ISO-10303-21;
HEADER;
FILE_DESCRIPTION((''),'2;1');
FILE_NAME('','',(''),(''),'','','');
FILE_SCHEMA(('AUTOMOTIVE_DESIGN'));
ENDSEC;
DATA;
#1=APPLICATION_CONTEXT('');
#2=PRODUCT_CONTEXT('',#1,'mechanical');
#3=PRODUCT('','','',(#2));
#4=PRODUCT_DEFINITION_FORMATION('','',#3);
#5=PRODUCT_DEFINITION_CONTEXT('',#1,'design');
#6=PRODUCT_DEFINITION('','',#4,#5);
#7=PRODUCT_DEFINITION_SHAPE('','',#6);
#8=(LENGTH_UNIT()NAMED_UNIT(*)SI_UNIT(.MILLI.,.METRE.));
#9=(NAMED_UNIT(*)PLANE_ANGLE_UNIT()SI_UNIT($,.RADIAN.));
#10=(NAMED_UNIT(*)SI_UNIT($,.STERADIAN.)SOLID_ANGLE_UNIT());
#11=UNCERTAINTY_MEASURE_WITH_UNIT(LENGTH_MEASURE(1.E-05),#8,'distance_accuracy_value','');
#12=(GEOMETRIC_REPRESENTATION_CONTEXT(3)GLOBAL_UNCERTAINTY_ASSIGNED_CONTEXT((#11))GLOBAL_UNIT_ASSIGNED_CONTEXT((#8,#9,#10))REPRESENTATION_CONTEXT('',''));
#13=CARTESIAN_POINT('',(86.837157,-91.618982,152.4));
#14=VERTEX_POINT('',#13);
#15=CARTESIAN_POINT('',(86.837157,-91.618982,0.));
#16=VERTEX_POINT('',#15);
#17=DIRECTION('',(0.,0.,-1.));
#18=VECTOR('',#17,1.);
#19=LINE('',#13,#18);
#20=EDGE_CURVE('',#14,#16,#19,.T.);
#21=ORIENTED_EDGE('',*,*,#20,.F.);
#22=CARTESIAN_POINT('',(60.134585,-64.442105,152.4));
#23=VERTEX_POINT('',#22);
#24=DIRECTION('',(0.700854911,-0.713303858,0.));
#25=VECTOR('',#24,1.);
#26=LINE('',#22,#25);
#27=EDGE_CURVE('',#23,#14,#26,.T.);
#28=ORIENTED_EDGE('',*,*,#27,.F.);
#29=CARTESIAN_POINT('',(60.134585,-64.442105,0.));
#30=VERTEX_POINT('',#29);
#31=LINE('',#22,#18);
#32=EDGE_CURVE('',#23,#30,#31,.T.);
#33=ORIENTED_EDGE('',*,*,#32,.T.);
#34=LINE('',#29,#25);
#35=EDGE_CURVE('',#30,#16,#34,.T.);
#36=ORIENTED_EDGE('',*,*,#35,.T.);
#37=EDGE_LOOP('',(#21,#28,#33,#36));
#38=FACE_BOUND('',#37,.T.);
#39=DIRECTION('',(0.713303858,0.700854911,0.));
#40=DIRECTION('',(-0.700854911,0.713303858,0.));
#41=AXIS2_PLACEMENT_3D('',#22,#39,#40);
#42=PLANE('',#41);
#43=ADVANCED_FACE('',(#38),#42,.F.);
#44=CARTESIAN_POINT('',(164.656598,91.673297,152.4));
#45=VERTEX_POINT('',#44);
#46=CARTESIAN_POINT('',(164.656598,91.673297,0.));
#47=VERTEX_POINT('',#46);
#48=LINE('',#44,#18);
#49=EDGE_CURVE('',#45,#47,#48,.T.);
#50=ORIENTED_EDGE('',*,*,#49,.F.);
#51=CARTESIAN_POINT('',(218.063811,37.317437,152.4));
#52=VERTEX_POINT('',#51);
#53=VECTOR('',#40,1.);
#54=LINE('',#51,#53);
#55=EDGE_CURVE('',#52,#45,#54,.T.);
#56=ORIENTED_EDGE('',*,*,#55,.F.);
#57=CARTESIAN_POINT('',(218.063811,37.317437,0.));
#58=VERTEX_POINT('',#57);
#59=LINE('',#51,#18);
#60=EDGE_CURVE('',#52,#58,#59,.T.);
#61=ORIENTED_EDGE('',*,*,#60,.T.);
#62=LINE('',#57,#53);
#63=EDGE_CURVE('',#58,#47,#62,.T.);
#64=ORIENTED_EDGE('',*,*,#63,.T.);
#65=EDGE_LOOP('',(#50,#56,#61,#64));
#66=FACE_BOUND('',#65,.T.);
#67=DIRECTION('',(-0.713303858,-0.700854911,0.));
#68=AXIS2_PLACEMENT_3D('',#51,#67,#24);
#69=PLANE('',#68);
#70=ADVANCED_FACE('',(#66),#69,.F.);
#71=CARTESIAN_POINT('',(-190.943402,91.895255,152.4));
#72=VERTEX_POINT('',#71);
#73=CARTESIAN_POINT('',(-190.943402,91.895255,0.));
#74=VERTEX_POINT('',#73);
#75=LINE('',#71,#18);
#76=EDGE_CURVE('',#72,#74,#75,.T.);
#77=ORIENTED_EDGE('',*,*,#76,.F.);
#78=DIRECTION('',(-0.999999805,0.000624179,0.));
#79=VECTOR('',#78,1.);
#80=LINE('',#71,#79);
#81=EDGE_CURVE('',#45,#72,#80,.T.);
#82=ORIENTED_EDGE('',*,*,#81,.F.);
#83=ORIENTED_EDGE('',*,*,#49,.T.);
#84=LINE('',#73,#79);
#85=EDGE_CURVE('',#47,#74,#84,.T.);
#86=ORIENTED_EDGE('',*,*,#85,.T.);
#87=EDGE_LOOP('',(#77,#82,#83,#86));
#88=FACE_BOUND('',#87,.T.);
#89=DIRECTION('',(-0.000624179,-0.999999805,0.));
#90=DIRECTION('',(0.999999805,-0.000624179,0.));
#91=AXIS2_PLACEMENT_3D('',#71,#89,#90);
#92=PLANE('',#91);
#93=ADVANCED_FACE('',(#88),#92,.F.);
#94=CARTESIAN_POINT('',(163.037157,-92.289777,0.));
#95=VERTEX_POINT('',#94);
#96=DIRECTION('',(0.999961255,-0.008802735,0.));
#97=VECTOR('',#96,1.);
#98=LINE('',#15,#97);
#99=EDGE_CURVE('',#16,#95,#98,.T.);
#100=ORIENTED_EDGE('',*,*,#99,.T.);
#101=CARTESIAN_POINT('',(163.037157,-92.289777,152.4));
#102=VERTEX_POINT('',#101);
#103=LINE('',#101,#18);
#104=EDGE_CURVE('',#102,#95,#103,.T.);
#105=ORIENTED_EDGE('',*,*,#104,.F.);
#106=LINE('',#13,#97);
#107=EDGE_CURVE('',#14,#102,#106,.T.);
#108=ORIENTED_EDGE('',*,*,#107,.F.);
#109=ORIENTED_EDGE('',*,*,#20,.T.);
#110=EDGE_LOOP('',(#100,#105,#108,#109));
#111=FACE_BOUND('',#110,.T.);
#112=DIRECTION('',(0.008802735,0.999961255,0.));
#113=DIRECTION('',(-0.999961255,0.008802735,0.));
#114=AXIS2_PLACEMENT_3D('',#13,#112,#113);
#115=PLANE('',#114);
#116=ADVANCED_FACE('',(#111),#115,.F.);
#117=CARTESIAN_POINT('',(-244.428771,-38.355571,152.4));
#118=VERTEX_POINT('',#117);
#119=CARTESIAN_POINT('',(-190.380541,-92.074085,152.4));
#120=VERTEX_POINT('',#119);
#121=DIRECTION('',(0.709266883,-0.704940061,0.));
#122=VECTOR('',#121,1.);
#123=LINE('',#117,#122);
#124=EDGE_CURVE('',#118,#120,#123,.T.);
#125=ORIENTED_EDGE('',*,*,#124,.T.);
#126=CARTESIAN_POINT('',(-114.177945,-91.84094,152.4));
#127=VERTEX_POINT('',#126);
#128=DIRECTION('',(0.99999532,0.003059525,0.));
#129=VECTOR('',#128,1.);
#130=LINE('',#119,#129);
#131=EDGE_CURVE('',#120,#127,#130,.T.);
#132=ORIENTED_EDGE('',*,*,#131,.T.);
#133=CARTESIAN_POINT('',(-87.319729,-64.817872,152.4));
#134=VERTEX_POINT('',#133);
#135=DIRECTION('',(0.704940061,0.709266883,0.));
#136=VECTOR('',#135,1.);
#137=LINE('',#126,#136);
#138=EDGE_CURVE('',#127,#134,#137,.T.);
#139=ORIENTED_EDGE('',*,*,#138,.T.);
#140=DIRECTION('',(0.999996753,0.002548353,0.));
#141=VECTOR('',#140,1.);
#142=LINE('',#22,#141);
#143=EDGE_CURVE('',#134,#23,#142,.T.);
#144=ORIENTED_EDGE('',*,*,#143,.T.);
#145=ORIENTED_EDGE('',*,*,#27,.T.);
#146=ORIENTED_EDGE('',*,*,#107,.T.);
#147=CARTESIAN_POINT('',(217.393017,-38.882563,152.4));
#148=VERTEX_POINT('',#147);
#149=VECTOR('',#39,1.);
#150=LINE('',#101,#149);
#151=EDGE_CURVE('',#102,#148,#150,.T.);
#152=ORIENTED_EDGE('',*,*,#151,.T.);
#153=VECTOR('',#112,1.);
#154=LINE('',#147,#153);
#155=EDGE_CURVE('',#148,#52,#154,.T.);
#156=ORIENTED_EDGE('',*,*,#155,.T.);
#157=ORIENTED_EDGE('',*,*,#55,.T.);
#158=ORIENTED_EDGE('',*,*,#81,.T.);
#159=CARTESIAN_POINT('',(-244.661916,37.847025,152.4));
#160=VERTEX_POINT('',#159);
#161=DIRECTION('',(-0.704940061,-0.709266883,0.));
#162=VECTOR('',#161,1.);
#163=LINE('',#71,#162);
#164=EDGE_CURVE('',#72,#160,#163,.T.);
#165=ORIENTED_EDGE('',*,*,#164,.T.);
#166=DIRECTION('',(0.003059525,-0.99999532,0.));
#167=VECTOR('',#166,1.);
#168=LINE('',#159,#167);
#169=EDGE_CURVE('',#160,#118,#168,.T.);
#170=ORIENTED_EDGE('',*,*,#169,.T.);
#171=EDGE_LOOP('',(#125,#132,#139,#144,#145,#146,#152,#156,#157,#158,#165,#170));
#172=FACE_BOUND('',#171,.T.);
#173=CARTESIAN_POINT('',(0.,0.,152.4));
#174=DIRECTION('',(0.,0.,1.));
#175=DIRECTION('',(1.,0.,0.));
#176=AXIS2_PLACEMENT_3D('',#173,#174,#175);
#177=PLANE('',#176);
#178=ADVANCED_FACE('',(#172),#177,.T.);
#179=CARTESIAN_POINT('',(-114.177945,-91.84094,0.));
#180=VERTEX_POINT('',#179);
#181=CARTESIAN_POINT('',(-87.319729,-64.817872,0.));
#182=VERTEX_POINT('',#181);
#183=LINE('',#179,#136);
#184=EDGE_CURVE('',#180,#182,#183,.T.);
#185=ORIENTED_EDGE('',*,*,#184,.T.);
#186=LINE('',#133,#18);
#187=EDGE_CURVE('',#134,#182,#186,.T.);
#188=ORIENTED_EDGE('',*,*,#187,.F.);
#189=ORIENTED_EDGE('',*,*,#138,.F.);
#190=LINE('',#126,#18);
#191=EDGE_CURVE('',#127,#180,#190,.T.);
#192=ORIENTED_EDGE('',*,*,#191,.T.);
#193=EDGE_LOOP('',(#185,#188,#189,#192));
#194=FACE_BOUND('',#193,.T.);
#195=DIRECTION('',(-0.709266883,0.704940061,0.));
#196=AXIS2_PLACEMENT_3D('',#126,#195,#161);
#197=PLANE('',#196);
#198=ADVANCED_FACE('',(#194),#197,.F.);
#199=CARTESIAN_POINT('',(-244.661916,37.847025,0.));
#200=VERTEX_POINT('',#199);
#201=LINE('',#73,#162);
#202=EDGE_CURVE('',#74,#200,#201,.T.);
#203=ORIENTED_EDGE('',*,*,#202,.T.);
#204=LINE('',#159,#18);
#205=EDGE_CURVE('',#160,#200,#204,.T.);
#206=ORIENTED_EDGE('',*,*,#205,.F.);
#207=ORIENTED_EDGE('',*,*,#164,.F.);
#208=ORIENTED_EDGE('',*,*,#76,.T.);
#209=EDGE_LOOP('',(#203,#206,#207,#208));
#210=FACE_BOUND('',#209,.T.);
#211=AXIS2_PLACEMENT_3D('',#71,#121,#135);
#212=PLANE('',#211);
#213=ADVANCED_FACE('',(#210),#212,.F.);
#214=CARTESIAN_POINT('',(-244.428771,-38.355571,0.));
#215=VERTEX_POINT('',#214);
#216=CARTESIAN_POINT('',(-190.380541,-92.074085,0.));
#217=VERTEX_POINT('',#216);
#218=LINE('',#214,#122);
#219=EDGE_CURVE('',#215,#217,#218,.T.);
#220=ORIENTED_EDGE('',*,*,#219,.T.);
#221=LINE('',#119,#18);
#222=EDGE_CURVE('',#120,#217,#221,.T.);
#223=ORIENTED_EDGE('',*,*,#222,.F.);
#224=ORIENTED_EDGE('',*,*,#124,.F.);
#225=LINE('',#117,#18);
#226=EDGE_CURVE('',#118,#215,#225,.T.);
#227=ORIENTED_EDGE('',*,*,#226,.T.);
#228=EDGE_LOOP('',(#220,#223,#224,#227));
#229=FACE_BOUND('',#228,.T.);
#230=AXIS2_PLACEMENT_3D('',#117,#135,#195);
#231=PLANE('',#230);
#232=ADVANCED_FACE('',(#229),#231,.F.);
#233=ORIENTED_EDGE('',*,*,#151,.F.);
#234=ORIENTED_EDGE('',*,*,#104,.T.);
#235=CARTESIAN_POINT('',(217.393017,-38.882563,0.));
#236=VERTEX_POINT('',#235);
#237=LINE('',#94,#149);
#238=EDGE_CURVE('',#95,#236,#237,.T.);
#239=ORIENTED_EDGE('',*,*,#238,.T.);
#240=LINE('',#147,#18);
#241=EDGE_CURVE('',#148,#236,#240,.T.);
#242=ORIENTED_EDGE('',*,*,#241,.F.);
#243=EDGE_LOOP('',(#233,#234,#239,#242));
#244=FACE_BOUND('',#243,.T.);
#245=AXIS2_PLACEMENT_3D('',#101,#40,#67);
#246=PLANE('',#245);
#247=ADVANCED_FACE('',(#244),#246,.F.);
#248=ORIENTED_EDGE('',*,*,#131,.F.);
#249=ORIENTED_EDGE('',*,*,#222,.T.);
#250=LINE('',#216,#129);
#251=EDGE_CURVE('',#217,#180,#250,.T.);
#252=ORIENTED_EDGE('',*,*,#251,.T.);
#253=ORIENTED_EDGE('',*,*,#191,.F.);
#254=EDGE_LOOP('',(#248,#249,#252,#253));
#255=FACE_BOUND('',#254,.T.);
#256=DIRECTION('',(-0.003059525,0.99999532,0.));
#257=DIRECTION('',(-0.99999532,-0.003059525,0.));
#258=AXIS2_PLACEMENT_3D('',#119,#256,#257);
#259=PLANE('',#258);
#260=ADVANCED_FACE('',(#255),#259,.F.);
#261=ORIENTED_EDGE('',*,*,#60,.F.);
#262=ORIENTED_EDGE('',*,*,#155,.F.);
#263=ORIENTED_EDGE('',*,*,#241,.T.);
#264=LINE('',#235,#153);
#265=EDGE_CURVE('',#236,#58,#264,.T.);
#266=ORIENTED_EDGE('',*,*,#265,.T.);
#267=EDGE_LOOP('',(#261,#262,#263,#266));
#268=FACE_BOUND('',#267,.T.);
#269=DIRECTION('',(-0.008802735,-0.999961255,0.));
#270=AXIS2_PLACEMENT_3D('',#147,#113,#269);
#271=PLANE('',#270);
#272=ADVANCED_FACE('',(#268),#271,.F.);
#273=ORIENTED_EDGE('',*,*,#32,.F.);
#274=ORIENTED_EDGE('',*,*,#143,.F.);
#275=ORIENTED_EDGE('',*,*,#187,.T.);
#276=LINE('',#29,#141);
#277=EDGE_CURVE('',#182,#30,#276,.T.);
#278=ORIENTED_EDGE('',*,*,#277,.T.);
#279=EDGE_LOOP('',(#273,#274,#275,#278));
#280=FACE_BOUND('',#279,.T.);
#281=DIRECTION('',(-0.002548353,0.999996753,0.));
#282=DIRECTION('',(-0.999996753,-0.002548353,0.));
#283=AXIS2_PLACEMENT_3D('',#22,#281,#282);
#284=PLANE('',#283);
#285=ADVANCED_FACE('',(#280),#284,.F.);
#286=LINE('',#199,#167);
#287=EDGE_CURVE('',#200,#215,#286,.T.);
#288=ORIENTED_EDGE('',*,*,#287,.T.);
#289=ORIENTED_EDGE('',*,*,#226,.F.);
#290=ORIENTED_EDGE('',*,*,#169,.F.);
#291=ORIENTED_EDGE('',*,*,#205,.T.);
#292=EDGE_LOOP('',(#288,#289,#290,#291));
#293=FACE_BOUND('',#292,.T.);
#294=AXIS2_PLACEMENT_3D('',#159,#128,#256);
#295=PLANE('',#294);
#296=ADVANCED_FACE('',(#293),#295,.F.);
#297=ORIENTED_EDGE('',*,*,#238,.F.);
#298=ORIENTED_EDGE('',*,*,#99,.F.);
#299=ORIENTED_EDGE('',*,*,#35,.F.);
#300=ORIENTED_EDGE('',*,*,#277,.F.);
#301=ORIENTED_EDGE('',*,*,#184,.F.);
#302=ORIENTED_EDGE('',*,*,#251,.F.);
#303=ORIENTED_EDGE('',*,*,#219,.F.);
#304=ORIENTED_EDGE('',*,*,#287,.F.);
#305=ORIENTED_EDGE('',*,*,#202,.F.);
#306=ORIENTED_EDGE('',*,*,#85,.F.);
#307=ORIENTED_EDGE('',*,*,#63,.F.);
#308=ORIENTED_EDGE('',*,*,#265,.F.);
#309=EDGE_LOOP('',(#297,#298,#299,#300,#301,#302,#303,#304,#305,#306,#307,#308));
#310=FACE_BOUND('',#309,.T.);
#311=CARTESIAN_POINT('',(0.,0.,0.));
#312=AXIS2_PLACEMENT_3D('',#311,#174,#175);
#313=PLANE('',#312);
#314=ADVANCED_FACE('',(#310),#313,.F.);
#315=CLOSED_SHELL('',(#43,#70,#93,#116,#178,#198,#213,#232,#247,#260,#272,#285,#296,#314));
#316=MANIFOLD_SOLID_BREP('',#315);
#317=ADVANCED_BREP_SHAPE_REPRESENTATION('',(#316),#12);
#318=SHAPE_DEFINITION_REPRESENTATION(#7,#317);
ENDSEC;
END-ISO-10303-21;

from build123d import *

# Parameters (mm, degrees)
BOSS_EXTRUDE1_DEPTH = 152.4


with BuildPart() as part:
    # Sketch1 → Boss-Extrude1 (new body)
    with BuildSketch(Plane.XY):
        Polygon((60.134584624, -64.442105219), (-87.319728788, -64.817872119), (-114.177945097, -91.84094035), (-190.38054091, -92.074085208), (-244.428771462, -38.355571274), (-244.66191632, 37.847024538), (-190.943402386, 91.895255091), (164.656597614, 91.673296873), (218.063811089, 37.317436895), (217.393016713, -38.882563105), (163.037156735, -92.28977658), (86.837156735, -91.618982204), align=None)
    extrude(amount=BOSS_EXTRUDE1_DEPTH)


solid = part.part
